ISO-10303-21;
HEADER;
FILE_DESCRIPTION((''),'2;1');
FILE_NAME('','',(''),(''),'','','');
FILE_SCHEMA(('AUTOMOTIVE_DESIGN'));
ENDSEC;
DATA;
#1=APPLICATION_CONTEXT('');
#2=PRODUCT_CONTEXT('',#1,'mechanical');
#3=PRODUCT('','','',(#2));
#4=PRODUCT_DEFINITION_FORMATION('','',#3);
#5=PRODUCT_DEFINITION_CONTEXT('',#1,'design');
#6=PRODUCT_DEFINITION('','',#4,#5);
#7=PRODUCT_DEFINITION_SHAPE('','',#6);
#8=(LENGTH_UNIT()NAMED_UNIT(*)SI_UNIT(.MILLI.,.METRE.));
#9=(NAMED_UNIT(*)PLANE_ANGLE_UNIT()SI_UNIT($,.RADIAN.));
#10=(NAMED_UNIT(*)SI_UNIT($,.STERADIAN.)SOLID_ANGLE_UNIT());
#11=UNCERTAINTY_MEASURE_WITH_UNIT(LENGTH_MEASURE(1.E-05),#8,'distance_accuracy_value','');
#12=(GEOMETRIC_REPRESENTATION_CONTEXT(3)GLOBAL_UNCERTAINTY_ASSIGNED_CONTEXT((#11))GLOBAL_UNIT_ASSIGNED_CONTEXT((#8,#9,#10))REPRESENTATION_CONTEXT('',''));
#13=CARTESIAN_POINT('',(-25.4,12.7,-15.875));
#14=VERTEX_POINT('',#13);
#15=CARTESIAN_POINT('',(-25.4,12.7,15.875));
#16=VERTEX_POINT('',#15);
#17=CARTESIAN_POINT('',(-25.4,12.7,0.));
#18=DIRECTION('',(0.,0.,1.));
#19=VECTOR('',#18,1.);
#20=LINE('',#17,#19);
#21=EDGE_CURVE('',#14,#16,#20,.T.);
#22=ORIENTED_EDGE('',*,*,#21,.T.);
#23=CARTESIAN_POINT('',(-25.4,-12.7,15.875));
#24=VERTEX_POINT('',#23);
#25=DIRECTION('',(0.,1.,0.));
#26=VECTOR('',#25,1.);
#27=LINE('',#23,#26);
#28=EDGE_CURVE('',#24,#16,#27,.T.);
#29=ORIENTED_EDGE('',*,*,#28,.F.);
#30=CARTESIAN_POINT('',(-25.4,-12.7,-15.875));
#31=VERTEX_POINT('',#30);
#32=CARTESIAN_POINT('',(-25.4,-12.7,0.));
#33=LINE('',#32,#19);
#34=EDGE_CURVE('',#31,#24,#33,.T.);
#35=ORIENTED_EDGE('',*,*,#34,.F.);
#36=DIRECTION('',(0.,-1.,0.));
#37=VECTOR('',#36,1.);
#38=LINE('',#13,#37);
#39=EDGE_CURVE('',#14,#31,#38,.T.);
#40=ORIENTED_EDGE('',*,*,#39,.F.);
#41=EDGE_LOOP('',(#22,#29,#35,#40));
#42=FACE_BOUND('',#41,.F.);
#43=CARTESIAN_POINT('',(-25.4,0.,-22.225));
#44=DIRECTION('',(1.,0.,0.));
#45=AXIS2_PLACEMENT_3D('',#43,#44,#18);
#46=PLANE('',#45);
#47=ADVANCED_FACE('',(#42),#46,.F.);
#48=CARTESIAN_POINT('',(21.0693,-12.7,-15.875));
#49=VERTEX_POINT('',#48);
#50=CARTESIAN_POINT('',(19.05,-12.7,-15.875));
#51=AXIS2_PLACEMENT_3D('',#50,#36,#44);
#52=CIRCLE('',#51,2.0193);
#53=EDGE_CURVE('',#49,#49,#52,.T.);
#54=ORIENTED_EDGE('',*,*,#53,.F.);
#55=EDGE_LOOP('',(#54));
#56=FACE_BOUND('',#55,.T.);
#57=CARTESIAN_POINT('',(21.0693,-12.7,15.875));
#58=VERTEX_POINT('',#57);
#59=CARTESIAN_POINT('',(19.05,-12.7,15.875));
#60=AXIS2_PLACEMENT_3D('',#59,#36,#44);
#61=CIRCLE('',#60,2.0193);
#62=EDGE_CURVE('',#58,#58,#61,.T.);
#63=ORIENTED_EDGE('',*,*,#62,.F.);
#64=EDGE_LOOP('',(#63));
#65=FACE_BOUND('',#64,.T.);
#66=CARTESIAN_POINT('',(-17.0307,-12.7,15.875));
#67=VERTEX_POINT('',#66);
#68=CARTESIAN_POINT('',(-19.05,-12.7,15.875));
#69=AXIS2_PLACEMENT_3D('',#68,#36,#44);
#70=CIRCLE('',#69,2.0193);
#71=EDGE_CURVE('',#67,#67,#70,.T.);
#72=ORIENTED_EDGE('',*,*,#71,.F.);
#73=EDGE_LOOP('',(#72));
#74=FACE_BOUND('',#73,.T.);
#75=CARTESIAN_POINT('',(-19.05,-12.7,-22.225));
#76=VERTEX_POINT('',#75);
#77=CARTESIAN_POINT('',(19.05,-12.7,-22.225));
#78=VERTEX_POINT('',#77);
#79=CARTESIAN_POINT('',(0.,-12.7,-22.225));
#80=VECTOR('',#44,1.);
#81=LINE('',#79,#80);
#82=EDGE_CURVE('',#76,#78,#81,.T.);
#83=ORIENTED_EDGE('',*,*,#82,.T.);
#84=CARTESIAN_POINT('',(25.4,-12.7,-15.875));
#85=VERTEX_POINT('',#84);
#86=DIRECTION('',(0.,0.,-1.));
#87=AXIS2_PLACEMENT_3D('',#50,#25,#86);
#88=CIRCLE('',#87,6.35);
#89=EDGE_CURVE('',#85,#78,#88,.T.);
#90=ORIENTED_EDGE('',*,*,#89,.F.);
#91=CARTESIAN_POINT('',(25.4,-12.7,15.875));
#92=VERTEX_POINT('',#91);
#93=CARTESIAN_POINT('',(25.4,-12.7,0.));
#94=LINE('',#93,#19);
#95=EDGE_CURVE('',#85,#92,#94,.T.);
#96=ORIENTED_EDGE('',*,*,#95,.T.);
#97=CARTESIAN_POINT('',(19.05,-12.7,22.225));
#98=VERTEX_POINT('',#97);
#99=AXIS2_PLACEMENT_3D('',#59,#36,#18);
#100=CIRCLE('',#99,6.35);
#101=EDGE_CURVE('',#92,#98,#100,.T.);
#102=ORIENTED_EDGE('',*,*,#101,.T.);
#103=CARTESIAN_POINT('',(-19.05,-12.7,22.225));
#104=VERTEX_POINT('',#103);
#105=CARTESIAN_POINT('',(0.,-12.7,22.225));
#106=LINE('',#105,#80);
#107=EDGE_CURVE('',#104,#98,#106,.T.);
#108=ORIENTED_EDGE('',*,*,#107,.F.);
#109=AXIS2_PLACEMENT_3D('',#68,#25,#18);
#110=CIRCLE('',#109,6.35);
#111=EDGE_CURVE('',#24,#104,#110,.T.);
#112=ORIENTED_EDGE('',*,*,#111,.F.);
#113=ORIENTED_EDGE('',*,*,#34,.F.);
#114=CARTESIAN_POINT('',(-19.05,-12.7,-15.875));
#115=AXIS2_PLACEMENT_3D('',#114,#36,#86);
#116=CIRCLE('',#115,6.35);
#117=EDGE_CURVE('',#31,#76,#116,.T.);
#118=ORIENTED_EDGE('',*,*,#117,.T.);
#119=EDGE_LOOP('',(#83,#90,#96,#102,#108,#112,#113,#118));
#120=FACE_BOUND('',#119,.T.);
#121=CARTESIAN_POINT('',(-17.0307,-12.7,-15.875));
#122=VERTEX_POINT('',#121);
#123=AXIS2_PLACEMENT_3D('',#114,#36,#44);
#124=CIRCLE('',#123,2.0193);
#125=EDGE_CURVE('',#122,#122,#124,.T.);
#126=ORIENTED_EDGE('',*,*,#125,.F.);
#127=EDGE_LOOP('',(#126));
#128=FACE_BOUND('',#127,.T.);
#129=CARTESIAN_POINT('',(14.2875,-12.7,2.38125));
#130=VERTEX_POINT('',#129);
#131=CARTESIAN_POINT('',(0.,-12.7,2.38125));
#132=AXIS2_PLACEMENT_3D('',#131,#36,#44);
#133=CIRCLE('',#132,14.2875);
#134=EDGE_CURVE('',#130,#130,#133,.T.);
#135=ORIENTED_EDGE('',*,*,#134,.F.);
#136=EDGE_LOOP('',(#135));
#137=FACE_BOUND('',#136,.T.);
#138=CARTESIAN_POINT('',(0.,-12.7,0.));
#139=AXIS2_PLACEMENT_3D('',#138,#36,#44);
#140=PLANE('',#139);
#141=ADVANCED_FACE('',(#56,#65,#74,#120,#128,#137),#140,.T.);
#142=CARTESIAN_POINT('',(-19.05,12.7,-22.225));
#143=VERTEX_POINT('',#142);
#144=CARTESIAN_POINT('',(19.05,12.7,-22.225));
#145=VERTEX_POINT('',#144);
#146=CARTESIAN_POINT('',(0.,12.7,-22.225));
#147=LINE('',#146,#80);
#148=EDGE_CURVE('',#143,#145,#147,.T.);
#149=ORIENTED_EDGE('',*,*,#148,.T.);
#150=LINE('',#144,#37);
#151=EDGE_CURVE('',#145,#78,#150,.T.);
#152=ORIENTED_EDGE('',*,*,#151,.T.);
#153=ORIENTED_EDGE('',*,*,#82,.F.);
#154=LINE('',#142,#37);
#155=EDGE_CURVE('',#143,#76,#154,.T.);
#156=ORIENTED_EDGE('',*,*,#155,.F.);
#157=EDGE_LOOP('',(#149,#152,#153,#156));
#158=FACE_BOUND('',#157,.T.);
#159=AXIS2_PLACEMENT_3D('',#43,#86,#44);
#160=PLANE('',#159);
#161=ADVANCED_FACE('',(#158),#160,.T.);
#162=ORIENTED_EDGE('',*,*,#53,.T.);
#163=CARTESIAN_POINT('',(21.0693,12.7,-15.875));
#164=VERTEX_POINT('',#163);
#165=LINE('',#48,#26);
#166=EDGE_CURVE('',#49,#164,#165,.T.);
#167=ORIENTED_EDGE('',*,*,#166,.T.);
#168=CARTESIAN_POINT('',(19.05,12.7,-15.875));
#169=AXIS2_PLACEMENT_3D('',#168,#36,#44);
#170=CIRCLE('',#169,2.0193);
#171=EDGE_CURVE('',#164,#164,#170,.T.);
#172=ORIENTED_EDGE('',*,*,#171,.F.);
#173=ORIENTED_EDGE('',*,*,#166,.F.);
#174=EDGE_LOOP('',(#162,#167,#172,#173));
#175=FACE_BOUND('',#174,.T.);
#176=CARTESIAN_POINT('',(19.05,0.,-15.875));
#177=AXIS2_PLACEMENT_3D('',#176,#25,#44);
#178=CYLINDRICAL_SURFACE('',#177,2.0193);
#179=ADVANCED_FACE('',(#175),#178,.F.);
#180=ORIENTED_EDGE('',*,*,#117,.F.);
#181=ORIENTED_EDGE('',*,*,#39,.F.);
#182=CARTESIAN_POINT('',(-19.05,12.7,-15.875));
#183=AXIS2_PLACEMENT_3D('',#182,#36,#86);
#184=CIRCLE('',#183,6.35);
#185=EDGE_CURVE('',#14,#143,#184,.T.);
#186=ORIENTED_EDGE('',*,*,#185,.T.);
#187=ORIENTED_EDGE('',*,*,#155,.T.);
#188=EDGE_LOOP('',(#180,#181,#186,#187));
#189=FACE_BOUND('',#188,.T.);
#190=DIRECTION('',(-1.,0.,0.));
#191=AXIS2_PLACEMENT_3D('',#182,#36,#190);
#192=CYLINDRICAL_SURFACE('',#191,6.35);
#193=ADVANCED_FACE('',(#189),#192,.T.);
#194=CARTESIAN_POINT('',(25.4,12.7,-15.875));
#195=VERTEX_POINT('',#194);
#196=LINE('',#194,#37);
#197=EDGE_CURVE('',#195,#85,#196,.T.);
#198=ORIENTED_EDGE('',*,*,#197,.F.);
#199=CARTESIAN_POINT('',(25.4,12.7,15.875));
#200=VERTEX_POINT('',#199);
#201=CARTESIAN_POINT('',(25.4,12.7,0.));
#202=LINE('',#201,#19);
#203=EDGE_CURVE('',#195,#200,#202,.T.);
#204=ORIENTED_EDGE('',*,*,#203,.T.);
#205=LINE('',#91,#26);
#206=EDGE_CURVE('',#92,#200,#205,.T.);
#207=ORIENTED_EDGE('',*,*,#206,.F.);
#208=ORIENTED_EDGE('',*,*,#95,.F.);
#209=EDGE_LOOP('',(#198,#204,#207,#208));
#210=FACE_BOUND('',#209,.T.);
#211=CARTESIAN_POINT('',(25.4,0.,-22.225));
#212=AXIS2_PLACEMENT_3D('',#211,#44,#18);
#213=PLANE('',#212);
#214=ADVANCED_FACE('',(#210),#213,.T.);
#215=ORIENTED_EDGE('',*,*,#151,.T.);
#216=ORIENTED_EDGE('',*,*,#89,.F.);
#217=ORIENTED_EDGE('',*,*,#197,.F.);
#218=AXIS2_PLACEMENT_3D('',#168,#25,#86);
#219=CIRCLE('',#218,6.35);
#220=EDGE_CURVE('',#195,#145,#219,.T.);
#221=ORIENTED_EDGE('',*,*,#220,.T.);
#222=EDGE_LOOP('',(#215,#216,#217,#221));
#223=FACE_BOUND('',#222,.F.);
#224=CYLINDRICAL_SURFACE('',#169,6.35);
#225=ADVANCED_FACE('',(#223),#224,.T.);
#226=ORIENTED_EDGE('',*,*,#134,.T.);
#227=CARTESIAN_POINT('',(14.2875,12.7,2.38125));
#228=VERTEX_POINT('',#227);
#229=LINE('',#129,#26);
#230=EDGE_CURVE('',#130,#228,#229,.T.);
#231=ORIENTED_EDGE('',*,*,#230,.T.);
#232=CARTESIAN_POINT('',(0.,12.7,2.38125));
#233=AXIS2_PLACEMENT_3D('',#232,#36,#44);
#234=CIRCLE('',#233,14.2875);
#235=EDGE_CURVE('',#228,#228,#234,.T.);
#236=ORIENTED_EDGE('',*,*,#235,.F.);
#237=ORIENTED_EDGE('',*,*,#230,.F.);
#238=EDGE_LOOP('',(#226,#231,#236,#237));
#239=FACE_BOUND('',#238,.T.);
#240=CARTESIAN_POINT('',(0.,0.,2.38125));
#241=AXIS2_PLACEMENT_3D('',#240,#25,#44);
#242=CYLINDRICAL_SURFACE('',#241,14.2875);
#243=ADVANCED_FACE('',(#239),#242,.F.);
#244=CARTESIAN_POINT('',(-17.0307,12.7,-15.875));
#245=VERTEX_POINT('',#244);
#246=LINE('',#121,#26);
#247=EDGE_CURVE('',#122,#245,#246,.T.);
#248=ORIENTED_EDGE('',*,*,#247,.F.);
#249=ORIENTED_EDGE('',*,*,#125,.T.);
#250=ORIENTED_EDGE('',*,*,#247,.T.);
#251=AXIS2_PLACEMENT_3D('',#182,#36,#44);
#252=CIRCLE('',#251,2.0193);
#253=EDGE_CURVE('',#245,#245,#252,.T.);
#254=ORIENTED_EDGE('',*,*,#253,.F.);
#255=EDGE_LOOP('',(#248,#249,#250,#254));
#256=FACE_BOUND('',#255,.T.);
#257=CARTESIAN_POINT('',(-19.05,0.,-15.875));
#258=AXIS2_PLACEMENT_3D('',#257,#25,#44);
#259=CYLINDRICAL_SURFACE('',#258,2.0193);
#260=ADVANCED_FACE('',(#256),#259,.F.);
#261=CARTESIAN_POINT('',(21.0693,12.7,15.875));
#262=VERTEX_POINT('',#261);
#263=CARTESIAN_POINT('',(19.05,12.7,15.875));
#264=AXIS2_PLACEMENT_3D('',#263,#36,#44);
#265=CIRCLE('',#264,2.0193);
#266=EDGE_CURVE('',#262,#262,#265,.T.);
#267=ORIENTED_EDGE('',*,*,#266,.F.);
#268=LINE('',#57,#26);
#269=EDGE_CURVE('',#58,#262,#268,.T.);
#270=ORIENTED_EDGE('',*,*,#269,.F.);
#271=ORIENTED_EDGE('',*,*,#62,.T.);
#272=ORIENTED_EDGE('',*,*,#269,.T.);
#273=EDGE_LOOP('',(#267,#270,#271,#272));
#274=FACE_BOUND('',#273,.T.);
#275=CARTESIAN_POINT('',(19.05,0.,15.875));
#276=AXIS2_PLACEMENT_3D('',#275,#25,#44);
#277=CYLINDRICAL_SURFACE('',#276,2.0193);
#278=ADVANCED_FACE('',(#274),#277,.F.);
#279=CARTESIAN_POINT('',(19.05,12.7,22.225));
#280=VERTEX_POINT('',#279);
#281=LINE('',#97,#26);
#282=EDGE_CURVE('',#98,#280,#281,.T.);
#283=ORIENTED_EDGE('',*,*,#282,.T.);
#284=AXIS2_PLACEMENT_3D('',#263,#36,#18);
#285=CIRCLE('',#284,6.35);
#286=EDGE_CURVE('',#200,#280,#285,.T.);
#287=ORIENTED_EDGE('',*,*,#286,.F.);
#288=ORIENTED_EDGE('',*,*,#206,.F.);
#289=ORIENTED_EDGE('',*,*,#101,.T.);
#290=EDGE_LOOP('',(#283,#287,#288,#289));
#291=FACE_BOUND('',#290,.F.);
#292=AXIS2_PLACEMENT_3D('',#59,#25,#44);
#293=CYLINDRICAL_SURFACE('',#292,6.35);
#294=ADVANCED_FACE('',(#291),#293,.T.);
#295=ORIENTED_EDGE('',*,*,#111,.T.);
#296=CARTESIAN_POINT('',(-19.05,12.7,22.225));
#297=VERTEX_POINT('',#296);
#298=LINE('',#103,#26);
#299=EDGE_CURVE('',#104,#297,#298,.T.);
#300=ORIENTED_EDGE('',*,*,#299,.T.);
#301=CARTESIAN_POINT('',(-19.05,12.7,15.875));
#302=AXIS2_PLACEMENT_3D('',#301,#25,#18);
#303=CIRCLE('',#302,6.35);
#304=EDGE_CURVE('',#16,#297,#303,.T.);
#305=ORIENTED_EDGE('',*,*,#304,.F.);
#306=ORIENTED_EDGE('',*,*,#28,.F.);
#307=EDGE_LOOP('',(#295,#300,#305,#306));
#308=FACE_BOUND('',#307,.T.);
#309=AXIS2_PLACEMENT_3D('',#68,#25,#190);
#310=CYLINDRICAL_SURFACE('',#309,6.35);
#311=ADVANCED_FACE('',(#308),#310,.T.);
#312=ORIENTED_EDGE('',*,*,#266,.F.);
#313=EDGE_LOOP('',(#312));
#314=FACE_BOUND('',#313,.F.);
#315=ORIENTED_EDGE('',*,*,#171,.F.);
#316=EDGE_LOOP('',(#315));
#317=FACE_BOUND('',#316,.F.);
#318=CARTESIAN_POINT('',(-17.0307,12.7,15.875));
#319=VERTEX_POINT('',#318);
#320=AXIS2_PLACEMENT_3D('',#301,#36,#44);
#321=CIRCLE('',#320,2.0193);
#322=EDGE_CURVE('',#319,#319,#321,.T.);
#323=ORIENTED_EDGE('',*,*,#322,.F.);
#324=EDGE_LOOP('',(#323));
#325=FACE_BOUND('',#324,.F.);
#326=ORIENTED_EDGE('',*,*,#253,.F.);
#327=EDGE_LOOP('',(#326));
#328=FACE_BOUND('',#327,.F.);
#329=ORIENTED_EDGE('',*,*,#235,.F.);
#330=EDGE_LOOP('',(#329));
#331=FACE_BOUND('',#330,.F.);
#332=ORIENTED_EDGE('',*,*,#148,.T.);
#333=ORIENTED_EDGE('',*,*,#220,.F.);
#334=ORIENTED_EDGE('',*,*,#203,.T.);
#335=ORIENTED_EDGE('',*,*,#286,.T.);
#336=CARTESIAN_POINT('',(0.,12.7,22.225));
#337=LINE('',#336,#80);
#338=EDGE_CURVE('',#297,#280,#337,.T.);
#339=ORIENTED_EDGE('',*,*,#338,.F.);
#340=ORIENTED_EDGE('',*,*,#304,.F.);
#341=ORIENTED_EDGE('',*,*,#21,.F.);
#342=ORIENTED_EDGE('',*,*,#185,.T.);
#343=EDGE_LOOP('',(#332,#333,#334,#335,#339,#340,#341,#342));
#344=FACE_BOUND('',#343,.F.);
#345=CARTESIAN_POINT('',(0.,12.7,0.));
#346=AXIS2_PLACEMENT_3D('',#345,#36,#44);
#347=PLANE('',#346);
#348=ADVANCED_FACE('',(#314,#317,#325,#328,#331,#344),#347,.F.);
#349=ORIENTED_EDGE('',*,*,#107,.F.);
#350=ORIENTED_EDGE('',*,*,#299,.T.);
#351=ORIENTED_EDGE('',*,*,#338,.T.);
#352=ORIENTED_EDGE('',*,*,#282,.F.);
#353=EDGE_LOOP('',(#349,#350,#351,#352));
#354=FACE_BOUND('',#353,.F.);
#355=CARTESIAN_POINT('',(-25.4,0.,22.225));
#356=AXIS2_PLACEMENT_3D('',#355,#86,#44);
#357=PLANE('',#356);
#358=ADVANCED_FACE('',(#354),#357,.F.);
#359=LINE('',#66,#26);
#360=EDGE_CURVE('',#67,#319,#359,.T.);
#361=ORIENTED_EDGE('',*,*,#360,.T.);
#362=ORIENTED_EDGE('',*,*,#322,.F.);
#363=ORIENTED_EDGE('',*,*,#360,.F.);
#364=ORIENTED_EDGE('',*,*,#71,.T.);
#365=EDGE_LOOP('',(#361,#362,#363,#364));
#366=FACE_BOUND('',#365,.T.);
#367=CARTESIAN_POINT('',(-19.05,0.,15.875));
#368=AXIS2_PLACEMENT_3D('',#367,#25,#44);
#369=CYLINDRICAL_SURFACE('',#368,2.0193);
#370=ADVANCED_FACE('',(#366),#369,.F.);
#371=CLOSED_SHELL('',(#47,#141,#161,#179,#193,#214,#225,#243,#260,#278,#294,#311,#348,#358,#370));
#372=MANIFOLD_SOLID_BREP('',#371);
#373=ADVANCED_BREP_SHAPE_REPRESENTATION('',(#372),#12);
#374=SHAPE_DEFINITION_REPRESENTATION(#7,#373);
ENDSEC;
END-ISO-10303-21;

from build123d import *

# Parameters (mm, degrees)
F0_W     = 50.8
F0_H     = 44.45
F0_R     = 2.0193
F0_R_2   = 14.2875
F1_DEPTH = 12.7
F2_R     = 6.35


with BuildPart() as f1:
    # F0 (on Front) → F1 (new body, symmetric)
    with BuildSketch(Plane.XZ):
        Rectangle(F0_W, F0_H)
        with Locations((-19.05, -15.875)):
            Circle(F0_R, mode=Mode.SUBTRACT)
        with Locations((19.05, -15.875)):
            Circle(F0_R, mode=Mode.SUBTRACT)
        with Locations((0, 2.38125)):
            Circle(F0_R_2, mode=Mode.SUBTRACT)
        with Locations((-19.05, 15.875)):
            Circle(F0_R, mode=Mode.SUBTRACT)
        with Locations((19.05, 15.875)):
            Circle(F0_R, mode=Mode.SUBTRACT)
    extrude(amount=F1_DEPTH, both=True)

    # F2
    f2_edges = [f1.edges().sort_by_distance(p)[0] for p in [
        (25.4, 0, -22.225),
        (25.4, 0, 22.225),
        (-25.4, 0, 22.225),
        (-25.4, 0, -22.225),
    ]]
    fillet(f2_edges, radius=F2_R)


solid = f1.part
